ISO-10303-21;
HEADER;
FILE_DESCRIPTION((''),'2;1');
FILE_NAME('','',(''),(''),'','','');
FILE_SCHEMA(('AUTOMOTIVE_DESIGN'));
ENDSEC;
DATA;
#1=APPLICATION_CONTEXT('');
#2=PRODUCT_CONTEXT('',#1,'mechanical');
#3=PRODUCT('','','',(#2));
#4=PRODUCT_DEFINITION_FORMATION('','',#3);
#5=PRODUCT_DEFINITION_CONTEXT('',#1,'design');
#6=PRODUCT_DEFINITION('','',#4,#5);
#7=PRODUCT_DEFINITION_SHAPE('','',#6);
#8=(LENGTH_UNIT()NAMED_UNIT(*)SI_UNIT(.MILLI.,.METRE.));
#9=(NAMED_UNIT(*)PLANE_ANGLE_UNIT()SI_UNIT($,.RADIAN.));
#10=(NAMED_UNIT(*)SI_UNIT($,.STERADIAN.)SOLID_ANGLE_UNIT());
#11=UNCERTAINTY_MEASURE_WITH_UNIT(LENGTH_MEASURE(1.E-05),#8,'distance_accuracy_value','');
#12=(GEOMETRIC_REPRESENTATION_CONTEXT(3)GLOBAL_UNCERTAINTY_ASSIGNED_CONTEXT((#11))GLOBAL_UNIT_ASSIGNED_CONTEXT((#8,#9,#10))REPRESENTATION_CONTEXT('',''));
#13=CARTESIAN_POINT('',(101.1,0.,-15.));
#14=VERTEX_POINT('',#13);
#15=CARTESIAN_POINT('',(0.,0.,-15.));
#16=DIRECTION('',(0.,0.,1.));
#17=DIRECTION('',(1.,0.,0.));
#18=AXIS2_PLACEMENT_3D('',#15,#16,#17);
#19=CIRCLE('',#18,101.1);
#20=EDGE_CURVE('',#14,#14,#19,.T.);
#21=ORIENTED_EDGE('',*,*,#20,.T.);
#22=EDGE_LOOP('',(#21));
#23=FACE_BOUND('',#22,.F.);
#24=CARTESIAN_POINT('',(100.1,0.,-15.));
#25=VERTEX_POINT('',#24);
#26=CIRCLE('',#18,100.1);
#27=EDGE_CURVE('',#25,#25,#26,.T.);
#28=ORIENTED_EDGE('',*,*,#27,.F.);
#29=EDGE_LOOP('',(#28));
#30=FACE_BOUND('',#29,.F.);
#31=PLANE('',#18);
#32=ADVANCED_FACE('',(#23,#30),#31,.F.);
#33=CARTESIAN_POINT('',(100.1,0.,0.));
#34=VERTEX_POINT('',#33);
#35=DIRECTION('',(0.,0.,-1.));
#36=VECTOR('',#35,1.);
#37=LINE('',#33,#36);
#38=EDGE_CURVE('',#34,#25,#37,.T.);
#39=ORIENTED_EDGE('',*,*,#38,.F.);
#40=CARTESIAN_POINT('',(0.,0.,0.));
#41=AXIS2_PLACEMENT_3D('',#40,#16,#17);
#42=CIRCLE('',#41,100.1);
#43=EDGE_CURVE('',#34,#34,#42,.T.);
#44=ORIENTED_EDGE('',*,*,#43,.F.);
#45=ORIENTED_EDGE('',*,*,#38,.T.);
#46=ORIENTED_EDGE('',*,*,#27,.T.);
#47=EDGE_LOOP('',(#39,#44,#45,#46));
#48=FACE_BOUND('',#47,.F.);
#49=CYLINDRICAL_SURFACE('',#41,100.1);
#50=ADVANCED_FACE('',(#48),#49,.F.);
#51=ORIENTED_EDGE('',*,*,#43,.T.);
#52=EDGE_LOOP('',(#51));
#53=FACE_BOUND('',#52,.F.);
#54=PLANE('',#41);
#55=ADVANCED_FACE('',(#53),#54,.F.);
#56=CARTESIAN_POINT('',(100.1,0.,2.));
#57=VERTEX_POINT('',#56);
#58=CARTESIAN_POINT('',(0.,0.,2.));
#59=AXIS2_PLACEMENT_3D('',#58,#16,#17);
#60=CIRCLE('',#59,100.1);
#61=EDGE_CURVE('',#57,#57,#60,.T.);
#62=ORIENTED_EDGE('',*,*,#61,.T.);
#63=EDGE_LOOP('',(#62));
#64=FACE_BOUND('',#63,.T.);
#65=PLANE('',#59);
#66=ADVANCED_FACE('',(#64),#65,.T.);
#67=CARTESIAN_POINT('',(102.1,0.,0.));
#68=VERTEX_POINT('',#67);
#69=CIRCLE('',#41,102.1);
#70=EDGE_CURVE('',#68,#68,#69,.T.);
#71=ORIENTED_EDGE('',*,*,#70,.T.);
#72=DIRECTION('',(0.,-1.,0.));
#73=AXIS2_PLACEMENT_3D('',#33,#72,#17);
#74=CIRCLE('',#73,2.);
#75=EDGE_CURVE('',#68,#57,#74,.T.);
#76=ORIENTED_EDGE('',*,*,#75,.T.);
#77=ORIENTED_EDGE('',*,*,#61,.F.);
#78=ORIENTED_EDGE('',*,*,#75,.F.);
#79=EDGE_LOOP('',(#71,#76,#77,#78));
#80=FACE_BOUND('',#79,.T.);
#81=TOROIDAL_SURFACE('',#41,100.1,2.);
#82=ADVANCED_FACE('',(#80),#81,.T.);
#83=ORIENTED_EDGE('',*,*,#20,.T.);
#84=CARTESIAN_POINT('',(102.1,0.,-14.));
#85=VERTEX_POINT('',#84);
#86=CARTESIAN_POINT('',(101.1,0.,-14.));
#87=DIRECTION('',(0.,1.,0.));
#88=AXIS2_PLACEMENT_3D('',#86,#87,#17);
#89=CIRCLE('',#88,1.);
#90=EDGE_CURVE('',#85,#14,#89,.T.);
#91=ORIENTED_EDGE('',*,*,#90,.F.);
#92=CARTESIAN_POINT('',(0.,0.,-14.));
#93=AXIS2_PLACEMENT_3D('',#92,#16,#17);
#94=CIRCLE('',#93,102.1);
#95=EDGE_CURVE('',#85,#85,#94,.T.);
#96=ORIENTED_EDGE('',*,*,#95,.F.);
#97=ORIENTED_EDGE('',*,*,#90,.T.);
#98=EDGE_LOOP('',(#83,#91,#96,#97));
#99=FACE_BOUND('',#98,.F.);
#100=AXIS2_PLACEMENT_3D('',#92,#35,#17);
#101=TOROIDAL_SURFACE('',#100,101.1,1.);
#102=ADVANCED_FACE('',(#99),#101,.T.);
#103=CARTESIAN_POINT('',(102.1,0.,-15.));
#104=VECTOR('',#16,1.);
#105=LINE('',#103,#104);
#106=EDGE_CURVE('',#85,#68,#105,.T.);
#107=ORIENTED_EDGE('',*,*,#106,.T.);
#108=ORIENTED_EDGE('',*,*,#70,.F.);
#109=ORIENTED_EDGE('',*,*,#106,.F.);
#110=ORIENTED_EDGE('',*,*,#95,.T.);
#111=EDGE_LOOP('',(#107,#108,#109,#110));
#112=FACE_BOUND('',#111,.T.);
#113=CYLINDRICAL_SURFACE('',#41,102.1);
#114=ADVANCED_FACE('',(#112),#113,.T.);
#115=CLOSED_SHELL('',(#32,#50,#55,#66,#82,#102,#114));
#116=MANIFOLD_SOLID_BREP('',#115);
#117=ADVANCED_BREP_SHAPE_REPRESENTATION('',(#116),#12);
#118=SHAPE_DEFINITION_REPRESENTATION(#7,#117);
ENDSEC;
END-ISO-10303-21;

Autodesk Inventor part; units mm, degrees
ref_plane "YZ Plane" through (0, 0, 0) normal (1, 0, 0) x (0, 1, 0)
ref_plane "XZ Plane" through (0, 0, 0) normal (0, 1, 0) x (-1, 0, 0)
ref_plane "XY Plane" through (0, 0, 0) normal (0, 0, 1) x (1, 0, 0)
sketch "Sketch1" plane through (0, 0, 0) normal (0, 0, 1) x (1, 0, 0)
  circle A0 centre (0, 0) radius 100 construction
  circle A1 centre (0, 0) radius 100.1
  circle A2 centre (0, 0) radius 102.1
  point P0 (0, 0)
  dimension "d0" = 0.1
  dimension "d1" = 2
extrude "Extrusion1" add sketch "Sketch1" against normal blind 15
sketch "Sketch2" plane through (0, 0, 0) normal (0, 0, 1) x (1, 0, 0)
  circle A0 centre (0, 0) radius 102.1 projected
  point P0 (0, 0)
extrude "Extrusion2" add sketch "Sketch2" along normal blind 2
fillet "Fillet1" radius 1 1 edges at (-102.1, 0, -15)
fillet "Fillet1" radius 2 1 edges at (-102.1, 0, 2)
properties part number "cap_v2"
